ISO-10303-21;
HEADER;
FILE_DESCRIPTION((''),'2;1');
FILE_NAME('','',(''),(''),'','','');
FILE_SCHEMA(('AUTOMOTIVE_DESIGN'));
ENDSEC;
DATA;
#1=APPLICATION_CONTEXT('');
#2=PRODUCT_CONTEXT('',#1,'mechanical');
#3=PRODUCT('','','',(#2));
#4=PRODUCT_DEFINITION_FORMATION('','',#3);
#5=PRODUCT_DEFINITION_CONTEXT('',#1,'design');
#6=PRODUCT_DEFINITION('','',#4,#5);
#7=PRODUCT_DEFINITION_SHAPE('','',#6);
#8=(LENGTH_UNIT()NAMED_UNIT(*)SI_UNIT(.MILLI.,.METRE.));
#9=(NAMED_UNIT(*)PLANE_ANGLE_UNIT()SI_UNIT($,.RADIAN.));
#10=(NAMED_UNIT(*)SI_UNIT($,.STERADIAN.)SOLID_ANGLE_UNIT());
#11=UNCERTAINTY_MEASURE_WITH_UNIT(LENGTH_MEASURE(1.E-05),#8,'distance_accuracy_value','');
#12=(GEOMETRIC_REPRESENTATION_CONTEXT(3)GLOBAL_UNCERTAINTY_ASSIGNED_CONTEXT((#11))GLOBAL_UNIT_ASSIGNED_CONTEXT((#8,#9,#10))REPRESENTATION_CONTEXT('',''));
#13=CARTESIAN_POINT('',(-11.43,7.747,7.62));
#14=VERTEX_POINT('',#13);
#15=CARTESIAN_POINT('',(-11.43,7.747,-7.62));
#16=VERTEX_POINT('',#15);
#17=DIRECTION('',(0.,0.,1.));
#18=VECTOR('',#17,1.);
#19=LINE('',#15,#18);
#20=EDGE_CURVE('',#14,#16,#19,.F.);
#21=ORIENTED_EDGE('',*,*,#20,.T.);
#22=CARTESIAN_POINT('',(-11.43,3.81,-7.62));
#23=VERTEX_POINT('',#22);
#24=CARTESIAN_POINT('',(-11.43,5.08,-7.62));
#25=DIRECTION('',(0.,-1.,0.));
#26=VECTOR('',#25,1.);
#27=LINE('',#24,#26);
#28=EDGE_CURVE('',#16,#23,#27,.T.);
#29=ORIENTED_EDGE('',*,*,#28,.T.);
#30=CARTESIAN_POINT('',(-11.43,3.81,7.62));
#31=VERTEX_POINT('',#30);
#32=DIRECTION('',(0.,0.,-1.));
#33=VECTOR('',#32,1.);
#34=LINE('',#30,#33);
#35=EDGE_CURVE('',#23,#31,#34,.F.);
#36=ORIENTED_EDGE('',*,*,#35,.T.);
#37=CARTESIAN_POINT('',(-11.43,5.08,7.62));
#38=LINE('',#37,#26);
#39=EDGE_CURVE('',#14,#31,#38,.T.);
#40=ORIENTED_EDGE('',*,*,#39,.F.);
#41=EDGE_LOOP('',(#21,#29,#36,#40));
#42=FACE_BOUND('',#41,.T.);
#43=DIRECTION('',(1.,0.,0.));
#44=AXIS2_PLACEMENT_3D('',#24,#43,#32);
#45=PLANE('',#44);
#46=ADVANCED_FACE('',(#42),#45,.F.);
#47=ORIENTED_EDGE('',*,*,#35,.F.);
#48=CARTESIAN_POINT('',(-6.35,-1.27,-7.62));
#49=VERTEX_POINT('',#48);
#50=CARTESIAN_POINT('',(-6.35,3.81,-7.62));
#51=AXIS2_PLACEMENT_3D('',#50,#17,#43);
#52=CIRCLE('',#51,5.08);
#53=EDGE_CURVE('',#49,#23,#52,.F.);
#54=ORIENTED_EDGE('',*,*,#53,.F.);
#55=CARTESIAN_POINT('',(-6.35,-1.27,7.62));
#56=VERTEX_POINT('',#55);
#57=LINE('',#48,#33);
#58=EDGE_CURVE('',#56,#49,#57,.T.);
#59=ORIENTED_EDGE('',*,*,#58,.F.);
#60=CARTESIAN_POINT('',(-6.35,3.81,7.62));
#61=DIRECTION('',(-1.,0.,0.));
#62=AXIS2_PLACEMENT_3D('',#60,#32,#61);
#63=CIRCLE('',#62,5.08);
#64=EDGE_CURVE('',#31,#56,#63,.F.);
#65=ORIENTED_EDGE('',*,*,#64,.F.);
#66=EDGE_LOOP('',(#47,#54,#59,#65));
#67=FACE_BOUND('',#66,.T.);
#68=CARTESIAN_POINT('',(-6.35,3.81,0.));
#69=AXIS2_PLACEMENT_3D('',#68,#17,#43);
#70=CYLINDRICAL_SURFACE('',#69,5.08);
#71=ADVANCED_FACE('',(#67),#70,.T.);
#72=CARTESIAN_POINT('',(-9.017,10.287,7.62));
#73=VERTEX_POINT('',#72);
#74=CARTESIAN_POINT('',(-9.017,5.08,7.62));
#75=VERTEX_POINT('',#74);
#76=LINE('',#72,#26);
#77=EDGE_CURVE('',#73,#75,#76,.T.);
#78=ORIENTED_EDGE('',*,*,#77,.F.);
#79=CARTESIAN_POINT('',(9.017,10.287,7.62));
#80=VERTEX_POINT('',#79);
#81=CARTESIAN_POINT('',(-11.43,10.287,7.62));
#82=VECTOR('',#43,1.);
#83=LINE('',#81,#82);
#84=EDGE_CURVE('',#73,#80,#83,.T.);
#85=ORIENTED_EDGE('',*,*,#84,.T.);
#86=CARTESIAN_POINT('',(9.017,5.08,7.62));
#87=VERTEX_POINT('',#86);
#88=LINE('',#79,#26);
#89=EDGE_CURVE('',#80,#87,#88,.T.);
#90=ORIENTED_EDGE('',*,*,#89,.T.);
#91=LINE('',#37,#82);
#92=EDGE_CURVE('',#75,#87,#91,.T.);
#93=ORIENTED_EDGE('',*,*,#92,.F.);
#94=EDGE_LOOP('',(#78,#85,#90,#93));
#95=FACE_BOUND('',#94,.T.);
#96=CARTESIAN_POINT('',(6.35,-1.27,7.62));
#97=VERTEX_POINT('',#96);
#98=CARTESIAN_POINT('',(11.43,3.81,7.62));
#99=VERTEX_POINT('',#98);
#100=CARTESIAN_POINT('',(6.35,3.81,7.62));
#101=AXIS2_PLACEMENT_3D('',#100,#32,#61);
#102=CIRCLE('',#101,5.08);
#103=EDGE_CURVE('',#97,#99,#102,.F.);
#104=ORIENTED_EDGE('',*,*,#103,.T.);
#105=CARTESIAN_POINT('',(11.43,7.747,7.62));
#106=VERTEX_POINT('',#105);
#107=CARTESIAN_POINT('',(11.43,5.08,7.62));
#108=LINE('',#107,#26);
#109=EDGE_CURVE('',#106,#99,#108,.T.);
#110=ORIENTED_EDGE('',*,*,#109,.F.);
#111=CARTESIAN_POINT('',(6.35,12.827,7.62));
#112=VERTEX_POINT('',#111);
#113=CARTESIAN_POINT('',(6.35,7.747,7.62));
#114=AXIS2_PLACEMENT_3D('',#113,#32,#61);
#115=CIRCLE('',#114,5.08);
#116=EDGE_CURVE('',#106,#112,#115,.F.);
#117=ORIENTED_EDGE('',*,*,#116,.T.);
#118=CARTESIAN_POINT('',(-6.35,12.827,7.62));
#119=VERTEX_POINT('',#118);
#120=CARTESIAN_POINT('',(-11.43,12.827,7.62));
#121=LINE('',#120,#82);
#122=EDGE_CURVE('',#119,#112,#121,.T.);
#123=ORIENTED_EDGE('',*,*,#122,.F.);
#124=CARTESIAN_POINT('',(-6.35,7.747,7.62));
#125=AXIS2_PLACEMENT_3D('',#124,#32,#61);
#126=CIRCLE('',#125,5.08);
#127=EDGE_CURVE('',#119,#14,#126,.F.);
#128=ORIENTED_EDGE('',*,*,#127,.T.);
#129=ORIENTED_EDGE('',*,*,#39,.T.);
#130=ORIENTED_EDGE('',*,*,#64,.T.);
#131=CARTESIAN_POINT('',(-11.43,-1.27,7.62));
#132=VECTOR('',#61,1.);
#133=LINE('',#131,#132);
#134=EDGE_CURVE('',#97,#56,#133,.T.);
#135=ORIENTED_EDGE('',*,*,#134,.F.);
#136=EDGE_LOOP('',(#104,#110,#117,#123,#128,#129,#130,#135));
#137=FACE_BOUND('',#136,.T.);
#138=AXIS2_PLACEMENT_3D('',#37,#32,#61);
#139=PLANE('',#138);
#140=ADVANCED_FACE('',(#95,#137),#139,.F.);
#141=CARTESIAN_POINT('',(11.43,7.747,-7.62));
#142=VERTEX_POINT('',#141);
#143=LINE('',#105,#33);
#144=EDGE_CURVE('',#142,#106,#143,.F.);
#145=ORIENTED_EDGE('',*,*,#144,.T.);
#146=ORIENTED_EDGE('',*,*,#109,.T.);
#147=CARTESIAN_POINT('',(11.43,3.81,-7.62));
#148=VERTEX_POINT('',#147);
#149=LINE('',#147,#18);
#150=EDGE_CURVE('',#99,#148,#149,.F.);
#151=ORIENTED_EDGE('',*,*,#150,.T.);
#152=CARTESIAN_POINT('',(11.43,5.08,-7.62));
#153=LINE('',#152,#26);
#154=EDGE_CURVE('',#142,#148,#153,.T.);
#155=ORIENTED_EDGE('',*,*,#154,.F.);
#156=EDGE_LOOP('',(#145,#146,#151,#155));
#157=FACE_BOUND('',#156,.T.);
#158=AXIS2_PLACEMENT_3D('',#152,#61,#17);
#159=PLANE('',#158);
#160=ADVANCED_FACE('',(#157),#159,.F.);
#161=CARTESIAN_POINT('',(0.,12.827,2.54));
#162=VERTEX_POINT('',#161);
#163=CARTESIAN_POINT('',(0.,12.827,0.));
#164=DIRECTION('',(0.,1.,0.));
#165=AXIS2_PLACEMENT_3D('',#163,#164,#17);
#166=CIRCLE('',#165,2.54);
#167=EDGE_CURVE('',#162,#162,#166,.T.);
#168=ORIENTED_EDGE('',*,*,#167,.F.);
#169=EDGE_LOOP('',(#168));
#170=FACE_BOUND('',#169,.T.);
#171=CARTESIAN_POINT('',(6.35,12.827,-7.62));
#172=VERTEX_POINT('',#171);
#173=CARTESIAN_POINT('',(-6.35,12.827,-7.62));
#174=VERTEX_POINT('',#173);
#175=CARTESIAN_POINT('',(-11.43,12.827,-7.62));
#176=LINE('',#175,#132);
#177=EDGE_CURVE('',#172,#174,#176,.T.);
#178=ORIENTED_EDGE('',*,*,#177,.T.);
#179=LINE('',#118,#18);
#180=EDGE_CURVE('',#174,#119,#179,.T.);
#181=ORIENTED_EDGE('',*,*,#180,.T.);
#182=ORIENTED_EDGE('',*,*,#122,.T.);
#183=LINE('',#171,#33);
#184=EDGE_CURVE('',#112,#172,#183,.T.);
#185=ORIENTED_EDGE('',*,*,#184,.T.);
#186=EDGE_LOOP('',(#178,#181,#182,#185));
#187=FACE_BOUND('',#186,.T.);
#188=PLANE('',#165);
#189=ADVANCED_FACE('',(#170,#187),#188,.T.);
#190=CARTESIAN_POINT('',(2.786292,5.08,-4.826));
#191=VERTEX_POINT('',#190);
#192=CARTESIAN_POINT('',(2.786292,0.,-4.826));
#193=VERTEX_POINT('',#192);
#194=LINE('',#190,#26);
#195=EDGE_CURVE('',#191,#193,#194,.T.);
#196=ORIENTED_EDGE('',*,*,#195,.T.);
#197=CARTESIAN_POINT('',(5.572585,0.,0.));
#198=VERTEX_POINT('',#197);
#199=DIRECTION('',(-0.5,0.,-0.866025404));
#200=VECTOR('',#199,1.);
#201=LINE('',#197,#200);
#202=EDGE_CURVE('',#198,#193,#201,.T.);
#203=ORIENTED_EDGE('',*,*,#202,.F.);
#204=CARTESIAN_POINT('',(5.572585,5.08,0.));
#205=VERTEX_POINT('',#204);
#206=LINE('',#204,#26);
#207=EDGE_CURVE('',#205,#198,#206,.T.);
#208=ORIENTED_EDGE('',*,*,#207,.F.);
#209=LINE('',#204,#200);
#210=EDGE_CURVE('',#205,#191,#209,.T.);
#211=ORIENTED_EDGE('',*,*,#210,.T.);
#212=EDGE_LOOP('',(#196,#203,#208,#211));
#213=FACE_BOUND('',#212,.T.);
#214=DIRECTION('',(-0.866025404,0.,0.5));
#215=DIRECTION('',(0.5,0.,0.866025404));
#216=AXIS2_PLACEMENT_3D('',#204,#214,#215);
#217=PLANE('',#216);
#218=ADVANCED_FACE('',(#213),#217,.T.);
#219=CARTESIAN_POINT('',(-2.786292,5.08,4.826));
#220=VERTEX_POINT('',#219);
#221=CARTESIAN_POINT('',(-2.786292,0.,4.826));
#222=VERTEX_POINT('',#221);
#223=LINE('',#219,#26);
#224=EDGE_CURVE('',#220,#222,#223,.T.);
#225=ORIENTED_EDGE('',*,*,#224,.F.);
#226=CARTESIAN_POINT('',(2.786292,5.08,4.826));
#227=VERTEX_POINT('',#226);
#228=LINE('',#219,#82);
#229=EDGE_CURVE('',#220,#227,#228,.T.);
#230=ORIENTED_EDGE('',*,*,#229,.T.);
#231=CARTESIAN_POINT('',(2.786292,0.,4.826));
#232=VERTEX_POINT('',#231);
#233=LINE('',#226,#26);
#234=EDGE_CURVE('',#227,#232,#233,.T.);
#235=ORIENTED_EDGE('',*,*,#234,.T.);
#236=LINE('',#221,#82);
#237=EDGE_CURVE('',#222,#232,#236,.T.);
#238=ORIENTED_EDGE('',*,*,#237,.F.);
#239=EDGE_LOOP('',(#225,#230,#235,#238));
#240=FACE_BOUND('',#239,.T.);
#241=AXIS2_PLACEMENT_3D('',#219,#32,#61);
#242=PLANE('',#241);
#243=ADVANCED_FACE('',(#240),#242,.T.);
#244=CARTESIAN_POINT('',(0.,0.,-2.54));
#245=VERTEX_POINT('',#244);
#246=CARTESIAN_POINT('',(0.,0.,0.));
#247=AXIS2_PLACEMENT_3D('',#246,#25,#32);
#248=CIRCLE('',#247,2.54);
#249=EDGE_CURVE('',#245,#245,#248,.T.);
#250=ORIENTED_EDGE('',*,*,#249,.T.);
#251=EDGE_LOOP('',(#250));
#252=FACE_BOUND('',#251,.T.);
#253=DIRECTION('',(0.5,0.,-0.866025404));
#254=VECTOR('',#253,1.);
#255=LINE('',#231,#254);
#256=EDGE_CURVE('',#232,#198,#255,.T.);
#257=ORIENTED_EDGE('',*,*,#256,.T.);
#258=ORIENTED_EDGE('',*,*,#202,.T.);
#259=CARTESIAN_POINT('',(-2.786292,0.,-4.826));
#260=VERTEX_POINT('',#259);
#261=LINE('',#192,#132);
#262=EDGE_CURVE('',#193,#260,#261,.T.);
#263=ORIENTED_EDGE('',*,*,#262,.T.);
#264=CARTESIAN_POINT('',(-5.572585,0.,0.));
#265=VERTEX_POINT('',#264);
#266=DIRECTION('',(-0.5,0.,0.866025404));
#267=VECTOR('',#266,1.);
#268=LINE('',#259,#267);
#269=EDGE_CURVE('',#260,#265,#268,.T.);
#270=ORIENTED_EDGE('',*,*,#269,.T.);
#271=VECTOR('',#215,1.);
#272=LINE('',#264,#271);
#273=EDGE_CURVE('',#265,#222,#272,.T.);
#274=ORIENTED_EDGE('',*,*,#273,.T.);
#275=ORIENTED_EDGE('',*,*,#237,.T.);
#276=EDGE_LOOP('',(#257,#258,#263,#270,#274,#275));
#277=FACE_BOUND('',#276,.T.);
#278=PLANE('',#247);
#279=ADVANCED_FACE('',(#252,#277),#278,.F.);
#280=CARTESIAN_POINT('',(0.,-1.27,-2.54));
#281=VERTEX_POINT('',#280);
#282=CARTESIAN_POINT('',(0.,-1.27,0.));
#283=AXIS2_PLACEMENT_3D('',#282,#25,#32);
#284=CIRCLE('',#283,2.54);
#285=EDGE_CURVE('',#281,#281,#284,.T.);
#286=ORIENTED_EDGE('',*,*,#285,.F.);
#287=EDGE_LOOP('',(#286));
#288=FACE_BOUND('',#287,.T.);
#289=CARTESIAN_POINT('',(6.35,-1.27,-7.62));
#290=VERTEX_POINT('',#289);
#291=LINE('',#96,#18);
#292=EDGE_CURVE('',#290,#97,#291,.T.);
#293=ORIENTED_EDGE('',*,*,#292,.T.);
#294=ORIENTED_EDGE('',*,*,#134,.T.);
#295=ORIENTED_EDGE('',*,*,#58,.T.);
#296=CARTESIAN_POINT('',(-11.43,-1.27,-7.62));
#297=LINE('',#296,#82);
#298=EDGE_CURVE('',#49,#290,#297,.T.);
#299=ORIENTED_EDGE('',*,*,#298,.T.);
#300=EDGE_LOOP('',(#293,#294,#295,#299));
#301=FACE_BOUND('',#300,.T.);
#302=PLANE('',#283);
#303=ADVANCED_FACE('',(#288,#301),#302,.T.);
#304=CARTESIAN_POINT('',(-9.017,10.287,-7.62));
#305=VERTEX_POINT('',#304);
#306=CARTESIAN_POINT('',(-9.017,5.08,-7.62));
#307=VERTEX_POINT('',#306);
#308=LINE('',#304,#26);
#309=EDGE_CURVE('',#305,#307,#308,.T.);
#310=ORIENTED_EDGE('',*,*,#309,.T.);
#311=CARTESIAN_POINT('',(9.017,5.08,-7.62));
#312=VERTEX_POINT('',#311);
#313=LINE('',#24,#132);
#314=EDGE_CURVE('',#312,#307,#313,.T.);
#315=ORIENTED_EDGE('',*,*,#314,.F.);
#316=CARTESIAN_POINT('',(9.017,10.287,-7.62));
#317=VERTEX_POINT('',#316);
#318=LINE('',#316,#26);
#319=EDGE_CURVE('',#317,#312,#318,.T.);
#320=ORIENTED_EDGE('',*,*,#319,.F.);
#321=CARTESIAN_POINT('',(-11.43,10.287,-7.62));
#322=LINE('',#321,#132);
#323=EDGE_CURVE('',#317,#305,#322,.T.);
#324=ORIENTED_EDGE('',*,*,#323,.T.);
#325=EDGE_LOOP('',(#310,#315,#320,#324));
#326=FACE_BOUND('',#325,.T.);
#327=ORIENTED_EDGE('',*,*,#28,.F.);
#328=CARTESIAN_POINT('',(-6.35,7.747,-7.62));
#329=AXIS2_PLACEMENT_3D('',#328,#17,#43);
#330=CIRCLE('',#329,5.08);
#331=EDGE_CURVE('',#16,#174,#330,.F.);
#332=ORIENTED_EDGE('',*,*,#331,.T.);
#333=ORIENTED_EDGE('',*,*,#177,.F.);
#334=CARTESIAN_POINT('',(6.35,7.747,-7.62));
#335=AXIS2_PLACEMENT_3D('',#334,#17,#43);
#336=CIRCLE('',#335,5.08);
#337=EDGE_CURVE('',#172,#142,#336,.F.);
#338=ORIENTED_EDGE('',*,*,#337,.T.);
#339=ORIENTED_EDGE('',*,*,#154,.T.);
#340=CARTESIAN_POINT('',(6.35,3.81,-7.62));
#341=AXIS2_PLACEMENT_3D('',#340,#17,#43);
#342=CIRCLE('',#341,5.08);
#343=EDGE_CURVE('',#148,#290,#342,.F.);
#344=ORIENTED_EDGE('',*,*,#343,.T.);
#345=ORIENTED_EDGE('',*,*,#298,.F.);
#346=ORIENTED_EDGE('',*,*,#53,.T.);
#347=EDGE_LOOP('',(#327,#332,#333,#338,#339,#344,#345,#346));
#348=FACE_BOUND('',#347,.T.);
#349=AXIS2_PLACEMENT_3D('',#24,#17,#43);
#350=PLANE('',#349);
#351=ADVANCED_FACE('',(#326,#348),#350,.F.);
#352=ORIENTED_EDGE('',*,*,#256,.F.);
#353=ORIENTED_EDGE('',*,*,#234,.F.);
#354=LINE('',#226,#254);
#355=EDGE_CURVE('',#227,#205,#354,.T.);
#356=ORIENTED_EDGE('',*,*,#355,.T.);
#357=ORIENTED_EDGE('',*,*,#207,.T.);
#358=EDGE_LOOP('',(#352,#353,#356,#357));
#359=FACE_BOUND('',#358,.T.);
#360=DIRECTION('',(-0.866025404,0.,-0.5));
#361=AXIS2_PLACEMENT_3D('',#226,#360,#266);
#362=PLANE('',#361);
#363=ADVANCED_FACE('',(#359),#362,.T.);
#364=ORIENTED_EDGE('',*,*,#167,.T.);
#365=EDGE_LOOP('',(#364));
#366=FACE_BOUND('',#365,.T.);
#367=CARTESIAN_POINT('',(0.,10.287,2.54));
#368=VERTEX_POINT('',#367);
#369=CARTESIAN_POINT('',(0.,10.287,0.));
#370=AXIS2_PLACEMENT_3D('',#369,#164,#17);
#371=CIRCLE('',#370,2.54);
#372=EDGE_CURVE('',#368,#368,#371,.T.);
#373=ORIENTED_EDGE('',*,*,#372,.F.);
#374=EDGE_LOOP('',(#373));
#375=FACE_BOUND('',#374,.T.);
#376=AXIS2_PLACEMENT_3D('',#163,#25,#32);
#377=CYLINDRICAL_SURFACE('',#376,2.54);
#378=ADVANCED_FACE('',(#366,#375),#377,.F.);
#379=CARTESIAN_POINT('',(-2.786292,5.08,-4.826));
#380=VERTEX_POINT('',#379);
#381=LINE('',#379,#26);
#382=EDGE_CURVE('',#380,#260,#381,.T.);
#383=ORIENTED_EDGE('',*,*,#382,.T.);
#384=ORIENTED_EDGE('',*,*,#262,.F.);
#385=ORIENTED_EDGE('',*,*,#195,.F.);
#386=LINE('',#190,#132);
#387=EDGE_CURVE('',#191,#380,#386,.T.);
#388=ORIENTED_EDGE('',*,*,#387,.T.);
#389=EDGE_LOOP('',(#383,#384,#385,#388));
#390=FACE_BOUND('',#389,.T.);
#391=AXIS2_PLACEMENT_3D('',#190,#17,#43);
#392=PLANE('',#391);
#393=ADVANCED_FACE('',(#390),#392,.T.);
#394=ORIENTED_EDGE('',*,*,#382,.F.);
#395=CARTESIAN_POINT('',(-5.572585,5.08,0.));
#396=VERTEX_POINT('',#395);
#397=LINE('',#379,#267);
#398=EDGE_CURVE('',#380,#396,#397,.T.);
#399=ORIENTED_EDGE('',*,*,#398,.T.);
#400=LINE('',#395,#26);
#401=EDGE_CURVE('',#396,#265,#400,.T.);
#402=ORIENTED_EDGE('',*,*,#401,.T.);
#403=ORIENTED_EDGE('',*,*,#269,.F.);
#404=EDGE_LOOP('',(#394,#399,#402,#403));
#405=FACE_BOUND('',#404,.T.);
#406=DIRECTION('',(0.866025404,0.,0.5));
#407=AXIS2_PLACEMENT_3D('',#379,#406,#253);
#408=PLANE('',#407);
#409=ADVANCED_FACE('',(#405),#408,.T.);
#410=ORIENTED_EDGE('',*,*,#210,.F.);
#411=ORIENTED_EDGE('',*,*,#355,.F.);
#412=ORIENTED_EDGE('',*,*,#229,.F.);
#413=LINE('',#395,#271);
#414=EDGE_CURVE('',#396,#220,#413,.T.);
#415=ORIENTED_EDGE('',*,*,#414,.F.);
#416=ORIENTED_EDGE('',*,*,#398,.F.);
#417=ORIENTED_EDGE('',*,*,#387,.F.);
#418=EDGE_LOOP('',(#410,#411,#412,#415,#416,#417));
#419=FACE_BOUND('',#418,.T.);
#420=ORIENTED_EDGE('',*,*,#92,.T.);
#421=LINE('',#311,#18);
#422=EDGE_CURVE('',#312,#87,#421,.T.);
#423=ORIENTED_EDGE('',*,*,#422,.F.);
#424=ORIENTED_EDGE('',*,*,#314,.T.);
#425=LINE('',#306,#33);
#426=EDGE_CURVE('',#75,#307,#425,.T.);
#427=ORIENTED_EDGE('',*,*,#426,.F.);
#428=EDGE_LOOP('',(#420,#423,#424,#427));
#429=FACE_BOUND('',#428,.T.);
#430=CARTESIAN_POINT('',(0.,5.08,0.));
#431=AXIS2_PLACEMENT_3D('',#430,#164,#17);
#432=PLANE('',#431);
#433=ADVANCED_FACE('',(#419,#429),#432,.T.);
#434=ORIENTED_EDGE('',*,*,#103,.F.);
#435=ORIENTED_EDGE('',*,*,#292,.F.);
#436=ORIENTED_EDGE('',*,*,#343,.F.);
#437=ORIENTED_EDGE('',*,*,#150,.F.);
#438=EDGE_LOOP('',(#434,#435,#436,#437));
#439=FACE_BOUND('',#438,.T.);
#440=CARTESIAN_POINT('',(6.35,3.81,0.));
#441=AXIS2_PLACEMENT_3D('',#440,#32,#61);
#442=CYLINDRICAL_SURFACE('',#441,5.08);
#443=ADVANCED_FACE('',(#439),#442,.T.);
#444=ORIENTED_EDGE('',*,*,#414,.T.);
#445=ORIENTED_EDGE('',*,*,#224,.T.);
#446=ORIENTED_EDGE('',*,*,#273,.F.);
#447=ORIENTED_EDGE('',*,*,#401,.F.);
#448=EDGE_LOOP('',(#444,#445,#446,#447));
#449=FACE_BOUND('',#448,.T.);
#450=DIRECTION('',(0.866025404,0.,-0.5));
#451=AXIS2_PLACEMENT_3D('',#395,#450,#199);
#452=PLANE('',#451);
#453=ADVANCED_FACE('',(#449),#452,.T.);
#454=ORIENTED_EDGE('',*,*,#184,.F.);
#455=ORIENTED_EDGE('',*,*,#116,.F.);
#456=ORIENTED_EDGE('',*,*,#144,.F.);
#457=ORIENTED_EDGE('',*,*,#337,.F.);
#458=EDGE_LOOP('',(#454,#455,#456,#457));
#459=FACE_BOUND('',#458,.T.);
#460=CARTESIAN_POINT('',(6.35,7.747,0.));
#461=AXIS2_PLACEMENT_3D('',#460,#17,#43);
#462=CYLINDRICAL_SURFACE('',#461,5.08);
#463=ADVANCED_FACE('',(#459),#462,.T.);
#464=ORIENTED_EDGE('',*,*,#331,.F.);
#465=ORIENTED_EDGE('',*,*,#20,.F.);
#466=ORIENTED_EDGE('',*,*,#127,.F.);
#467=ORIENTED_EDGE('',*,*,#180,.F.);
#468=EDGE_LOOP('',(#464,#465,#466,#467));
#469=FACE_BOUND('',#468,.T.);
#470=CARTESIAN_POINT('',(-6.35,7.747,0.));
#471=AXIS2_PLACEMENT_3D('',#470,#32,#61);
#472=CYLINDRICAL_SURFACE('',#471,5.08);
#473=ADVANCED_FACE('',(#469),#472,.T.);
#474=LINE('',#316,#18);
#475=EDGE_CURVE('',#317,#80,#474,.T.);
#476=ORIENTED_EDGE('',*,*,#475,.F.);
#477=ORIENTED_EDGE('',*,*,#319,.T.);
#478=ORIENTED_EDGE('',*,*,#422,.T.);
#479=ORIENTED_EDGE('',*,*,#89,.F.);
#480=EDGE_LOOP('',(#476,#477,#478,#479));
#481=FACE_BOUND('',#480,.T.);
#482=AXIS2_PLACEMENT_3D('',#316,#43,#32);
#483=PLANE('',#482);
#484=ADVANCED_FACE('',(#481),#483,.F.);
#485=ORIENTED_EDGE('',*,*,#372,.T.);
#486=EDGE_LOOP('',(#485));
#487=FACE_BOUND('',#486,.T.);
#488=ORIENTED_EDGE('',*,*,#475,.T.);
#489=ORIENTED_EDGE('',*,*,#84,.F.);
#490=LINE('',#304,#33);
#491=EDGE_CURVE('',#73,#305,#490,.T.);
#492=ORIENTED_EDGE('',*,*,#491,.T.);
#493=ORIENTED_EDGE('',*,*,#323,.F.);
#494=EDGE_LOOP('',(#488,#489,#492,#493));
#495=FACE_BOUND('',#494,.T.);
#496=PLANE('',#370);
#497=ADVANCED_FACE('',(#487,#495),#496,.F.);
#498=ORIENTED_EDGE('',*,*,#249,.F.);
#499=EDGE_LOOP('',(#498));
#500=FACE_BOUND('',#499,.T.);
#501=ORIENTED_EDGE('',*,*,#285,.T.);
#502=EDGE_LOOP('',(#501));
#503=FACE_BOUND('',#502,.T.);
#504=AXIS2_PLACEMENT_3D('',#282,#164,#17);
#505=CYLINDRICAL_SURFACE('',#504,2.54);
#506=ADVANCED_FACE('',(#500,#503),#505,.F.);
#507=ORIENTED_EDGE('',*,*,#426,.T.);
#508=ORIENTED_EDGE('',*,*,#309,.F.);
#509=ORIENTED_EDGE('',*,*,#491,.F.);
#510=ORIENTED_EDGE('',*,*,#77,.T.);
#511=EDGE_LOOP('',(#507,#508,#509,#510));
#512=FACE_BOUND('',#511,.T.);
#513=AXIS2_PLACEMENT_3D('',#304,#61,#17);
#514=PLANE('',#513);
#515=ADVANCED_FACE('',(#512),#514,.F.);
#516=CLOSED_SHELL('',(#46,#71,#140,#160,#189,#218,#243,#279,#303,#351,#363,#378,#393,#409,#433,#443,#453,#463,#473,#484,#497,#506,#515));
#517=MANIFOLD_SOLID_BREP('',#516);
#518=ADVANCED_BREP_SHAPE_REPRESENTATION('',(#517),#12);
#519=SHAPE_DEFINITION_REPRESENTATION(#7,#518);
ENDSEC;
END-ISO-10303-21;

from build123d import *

# Parameters (mm, degrees)
SKETCH1_W           = 22.86
SKETCH1_H           = 15.24
BOSS_EXTRUDE1_DEPTH = 5.08
SKETCH3_W           = 2.413
SKETCH3_H           = 15.24
BOSS_EXTRUDE3_DEPTH = 5.207
SKETCH4_W           = 22.86
SKETCH4_H           = 15.24
SKETCH4_R           = 2.54
BOSS_EXTRUDE4_DEPTH = 2.54
SKETCH5_W           = 22.86
SKETCH5_H           = 15.24
SKETCH5_R           = 2.54
BOSS_EXTRUDE5_DEPTH = 1.27
FILLET1_R           = 5.08


with BuildPart() as part:
    # Sketch1 → Boss-Extrude1 (new body)
    with BuildSketch(Plane(origin=(0, 0, 0), x_dir=(1, 0, 0), z_dir=(0, 1, 0))):
        Rectangle(SKETCH1_W, SKETCH1_H)
        Polygon((5.572584798, 0), (2.786292399, 4.826), (-2.786292399, 4.826), (-5.572584798, 0), (-2.786292399, -4.826), (2.786292399, -4.826), align=None, mode=Mode.SUBTRACT)
    extrude(amount=BOSS_EXTRUDE1_DEPTH)

    # Sketch3 → Boss-Extrude3 (add)
    with BuildSketch(Plane(origin=(0, 5.08, 0), x_dir=(1, 0, 0), z_dir=(0, 1, 0))):
        with Locations((-10.2235, 0)):
            Rectangle(SKETCH3_W, SKETCH3_H)
        with Locations((10.2235, 0)):
            Rectangle(SKETCH3_W, SKETCH3_H)
    extrude(amount=BOSS_EXTRUDE3_DEPTH)

    # Sketch4 → Boss-Extrude4 (add)
    with BuildSketch(Plane(origin=(0, 10.287, 0), x_dir=(1, 0, 0), z_dir=(0, 1, 0))):
        Rectangle(SKETCH4_W, SKETCH4_H)
        Circle(SKETCH4_R, mode=Mode.SUBTRACT)
    extrude(amount=BOSS_EXTRUDE4_DEPTH)

    # Sketch5 → Boss-Extrude5 (add)
    with BuildSketch(Plane.XZ):
        Rectangle(SKETCH5_W, SKETCH5_H)
        Circle(SKETCH5_R, mode=Mode.SUBTRACT)
    extrude(amount=BOSS_EXTRUDE5_DEPTH)

    # Fillet1
    fillet1_edges = [part.edges().sort_by_distance(p)[0] for p in [
        (-11.43, 12.827, 0),
        (11.43, 12.827, 0),
        (-11.43, -1.27, 0),
        (11.43, -1.27, 0),
    ]]
    fillet(fillet1_edges, radius=FILLET1_R)


solid = part.part
